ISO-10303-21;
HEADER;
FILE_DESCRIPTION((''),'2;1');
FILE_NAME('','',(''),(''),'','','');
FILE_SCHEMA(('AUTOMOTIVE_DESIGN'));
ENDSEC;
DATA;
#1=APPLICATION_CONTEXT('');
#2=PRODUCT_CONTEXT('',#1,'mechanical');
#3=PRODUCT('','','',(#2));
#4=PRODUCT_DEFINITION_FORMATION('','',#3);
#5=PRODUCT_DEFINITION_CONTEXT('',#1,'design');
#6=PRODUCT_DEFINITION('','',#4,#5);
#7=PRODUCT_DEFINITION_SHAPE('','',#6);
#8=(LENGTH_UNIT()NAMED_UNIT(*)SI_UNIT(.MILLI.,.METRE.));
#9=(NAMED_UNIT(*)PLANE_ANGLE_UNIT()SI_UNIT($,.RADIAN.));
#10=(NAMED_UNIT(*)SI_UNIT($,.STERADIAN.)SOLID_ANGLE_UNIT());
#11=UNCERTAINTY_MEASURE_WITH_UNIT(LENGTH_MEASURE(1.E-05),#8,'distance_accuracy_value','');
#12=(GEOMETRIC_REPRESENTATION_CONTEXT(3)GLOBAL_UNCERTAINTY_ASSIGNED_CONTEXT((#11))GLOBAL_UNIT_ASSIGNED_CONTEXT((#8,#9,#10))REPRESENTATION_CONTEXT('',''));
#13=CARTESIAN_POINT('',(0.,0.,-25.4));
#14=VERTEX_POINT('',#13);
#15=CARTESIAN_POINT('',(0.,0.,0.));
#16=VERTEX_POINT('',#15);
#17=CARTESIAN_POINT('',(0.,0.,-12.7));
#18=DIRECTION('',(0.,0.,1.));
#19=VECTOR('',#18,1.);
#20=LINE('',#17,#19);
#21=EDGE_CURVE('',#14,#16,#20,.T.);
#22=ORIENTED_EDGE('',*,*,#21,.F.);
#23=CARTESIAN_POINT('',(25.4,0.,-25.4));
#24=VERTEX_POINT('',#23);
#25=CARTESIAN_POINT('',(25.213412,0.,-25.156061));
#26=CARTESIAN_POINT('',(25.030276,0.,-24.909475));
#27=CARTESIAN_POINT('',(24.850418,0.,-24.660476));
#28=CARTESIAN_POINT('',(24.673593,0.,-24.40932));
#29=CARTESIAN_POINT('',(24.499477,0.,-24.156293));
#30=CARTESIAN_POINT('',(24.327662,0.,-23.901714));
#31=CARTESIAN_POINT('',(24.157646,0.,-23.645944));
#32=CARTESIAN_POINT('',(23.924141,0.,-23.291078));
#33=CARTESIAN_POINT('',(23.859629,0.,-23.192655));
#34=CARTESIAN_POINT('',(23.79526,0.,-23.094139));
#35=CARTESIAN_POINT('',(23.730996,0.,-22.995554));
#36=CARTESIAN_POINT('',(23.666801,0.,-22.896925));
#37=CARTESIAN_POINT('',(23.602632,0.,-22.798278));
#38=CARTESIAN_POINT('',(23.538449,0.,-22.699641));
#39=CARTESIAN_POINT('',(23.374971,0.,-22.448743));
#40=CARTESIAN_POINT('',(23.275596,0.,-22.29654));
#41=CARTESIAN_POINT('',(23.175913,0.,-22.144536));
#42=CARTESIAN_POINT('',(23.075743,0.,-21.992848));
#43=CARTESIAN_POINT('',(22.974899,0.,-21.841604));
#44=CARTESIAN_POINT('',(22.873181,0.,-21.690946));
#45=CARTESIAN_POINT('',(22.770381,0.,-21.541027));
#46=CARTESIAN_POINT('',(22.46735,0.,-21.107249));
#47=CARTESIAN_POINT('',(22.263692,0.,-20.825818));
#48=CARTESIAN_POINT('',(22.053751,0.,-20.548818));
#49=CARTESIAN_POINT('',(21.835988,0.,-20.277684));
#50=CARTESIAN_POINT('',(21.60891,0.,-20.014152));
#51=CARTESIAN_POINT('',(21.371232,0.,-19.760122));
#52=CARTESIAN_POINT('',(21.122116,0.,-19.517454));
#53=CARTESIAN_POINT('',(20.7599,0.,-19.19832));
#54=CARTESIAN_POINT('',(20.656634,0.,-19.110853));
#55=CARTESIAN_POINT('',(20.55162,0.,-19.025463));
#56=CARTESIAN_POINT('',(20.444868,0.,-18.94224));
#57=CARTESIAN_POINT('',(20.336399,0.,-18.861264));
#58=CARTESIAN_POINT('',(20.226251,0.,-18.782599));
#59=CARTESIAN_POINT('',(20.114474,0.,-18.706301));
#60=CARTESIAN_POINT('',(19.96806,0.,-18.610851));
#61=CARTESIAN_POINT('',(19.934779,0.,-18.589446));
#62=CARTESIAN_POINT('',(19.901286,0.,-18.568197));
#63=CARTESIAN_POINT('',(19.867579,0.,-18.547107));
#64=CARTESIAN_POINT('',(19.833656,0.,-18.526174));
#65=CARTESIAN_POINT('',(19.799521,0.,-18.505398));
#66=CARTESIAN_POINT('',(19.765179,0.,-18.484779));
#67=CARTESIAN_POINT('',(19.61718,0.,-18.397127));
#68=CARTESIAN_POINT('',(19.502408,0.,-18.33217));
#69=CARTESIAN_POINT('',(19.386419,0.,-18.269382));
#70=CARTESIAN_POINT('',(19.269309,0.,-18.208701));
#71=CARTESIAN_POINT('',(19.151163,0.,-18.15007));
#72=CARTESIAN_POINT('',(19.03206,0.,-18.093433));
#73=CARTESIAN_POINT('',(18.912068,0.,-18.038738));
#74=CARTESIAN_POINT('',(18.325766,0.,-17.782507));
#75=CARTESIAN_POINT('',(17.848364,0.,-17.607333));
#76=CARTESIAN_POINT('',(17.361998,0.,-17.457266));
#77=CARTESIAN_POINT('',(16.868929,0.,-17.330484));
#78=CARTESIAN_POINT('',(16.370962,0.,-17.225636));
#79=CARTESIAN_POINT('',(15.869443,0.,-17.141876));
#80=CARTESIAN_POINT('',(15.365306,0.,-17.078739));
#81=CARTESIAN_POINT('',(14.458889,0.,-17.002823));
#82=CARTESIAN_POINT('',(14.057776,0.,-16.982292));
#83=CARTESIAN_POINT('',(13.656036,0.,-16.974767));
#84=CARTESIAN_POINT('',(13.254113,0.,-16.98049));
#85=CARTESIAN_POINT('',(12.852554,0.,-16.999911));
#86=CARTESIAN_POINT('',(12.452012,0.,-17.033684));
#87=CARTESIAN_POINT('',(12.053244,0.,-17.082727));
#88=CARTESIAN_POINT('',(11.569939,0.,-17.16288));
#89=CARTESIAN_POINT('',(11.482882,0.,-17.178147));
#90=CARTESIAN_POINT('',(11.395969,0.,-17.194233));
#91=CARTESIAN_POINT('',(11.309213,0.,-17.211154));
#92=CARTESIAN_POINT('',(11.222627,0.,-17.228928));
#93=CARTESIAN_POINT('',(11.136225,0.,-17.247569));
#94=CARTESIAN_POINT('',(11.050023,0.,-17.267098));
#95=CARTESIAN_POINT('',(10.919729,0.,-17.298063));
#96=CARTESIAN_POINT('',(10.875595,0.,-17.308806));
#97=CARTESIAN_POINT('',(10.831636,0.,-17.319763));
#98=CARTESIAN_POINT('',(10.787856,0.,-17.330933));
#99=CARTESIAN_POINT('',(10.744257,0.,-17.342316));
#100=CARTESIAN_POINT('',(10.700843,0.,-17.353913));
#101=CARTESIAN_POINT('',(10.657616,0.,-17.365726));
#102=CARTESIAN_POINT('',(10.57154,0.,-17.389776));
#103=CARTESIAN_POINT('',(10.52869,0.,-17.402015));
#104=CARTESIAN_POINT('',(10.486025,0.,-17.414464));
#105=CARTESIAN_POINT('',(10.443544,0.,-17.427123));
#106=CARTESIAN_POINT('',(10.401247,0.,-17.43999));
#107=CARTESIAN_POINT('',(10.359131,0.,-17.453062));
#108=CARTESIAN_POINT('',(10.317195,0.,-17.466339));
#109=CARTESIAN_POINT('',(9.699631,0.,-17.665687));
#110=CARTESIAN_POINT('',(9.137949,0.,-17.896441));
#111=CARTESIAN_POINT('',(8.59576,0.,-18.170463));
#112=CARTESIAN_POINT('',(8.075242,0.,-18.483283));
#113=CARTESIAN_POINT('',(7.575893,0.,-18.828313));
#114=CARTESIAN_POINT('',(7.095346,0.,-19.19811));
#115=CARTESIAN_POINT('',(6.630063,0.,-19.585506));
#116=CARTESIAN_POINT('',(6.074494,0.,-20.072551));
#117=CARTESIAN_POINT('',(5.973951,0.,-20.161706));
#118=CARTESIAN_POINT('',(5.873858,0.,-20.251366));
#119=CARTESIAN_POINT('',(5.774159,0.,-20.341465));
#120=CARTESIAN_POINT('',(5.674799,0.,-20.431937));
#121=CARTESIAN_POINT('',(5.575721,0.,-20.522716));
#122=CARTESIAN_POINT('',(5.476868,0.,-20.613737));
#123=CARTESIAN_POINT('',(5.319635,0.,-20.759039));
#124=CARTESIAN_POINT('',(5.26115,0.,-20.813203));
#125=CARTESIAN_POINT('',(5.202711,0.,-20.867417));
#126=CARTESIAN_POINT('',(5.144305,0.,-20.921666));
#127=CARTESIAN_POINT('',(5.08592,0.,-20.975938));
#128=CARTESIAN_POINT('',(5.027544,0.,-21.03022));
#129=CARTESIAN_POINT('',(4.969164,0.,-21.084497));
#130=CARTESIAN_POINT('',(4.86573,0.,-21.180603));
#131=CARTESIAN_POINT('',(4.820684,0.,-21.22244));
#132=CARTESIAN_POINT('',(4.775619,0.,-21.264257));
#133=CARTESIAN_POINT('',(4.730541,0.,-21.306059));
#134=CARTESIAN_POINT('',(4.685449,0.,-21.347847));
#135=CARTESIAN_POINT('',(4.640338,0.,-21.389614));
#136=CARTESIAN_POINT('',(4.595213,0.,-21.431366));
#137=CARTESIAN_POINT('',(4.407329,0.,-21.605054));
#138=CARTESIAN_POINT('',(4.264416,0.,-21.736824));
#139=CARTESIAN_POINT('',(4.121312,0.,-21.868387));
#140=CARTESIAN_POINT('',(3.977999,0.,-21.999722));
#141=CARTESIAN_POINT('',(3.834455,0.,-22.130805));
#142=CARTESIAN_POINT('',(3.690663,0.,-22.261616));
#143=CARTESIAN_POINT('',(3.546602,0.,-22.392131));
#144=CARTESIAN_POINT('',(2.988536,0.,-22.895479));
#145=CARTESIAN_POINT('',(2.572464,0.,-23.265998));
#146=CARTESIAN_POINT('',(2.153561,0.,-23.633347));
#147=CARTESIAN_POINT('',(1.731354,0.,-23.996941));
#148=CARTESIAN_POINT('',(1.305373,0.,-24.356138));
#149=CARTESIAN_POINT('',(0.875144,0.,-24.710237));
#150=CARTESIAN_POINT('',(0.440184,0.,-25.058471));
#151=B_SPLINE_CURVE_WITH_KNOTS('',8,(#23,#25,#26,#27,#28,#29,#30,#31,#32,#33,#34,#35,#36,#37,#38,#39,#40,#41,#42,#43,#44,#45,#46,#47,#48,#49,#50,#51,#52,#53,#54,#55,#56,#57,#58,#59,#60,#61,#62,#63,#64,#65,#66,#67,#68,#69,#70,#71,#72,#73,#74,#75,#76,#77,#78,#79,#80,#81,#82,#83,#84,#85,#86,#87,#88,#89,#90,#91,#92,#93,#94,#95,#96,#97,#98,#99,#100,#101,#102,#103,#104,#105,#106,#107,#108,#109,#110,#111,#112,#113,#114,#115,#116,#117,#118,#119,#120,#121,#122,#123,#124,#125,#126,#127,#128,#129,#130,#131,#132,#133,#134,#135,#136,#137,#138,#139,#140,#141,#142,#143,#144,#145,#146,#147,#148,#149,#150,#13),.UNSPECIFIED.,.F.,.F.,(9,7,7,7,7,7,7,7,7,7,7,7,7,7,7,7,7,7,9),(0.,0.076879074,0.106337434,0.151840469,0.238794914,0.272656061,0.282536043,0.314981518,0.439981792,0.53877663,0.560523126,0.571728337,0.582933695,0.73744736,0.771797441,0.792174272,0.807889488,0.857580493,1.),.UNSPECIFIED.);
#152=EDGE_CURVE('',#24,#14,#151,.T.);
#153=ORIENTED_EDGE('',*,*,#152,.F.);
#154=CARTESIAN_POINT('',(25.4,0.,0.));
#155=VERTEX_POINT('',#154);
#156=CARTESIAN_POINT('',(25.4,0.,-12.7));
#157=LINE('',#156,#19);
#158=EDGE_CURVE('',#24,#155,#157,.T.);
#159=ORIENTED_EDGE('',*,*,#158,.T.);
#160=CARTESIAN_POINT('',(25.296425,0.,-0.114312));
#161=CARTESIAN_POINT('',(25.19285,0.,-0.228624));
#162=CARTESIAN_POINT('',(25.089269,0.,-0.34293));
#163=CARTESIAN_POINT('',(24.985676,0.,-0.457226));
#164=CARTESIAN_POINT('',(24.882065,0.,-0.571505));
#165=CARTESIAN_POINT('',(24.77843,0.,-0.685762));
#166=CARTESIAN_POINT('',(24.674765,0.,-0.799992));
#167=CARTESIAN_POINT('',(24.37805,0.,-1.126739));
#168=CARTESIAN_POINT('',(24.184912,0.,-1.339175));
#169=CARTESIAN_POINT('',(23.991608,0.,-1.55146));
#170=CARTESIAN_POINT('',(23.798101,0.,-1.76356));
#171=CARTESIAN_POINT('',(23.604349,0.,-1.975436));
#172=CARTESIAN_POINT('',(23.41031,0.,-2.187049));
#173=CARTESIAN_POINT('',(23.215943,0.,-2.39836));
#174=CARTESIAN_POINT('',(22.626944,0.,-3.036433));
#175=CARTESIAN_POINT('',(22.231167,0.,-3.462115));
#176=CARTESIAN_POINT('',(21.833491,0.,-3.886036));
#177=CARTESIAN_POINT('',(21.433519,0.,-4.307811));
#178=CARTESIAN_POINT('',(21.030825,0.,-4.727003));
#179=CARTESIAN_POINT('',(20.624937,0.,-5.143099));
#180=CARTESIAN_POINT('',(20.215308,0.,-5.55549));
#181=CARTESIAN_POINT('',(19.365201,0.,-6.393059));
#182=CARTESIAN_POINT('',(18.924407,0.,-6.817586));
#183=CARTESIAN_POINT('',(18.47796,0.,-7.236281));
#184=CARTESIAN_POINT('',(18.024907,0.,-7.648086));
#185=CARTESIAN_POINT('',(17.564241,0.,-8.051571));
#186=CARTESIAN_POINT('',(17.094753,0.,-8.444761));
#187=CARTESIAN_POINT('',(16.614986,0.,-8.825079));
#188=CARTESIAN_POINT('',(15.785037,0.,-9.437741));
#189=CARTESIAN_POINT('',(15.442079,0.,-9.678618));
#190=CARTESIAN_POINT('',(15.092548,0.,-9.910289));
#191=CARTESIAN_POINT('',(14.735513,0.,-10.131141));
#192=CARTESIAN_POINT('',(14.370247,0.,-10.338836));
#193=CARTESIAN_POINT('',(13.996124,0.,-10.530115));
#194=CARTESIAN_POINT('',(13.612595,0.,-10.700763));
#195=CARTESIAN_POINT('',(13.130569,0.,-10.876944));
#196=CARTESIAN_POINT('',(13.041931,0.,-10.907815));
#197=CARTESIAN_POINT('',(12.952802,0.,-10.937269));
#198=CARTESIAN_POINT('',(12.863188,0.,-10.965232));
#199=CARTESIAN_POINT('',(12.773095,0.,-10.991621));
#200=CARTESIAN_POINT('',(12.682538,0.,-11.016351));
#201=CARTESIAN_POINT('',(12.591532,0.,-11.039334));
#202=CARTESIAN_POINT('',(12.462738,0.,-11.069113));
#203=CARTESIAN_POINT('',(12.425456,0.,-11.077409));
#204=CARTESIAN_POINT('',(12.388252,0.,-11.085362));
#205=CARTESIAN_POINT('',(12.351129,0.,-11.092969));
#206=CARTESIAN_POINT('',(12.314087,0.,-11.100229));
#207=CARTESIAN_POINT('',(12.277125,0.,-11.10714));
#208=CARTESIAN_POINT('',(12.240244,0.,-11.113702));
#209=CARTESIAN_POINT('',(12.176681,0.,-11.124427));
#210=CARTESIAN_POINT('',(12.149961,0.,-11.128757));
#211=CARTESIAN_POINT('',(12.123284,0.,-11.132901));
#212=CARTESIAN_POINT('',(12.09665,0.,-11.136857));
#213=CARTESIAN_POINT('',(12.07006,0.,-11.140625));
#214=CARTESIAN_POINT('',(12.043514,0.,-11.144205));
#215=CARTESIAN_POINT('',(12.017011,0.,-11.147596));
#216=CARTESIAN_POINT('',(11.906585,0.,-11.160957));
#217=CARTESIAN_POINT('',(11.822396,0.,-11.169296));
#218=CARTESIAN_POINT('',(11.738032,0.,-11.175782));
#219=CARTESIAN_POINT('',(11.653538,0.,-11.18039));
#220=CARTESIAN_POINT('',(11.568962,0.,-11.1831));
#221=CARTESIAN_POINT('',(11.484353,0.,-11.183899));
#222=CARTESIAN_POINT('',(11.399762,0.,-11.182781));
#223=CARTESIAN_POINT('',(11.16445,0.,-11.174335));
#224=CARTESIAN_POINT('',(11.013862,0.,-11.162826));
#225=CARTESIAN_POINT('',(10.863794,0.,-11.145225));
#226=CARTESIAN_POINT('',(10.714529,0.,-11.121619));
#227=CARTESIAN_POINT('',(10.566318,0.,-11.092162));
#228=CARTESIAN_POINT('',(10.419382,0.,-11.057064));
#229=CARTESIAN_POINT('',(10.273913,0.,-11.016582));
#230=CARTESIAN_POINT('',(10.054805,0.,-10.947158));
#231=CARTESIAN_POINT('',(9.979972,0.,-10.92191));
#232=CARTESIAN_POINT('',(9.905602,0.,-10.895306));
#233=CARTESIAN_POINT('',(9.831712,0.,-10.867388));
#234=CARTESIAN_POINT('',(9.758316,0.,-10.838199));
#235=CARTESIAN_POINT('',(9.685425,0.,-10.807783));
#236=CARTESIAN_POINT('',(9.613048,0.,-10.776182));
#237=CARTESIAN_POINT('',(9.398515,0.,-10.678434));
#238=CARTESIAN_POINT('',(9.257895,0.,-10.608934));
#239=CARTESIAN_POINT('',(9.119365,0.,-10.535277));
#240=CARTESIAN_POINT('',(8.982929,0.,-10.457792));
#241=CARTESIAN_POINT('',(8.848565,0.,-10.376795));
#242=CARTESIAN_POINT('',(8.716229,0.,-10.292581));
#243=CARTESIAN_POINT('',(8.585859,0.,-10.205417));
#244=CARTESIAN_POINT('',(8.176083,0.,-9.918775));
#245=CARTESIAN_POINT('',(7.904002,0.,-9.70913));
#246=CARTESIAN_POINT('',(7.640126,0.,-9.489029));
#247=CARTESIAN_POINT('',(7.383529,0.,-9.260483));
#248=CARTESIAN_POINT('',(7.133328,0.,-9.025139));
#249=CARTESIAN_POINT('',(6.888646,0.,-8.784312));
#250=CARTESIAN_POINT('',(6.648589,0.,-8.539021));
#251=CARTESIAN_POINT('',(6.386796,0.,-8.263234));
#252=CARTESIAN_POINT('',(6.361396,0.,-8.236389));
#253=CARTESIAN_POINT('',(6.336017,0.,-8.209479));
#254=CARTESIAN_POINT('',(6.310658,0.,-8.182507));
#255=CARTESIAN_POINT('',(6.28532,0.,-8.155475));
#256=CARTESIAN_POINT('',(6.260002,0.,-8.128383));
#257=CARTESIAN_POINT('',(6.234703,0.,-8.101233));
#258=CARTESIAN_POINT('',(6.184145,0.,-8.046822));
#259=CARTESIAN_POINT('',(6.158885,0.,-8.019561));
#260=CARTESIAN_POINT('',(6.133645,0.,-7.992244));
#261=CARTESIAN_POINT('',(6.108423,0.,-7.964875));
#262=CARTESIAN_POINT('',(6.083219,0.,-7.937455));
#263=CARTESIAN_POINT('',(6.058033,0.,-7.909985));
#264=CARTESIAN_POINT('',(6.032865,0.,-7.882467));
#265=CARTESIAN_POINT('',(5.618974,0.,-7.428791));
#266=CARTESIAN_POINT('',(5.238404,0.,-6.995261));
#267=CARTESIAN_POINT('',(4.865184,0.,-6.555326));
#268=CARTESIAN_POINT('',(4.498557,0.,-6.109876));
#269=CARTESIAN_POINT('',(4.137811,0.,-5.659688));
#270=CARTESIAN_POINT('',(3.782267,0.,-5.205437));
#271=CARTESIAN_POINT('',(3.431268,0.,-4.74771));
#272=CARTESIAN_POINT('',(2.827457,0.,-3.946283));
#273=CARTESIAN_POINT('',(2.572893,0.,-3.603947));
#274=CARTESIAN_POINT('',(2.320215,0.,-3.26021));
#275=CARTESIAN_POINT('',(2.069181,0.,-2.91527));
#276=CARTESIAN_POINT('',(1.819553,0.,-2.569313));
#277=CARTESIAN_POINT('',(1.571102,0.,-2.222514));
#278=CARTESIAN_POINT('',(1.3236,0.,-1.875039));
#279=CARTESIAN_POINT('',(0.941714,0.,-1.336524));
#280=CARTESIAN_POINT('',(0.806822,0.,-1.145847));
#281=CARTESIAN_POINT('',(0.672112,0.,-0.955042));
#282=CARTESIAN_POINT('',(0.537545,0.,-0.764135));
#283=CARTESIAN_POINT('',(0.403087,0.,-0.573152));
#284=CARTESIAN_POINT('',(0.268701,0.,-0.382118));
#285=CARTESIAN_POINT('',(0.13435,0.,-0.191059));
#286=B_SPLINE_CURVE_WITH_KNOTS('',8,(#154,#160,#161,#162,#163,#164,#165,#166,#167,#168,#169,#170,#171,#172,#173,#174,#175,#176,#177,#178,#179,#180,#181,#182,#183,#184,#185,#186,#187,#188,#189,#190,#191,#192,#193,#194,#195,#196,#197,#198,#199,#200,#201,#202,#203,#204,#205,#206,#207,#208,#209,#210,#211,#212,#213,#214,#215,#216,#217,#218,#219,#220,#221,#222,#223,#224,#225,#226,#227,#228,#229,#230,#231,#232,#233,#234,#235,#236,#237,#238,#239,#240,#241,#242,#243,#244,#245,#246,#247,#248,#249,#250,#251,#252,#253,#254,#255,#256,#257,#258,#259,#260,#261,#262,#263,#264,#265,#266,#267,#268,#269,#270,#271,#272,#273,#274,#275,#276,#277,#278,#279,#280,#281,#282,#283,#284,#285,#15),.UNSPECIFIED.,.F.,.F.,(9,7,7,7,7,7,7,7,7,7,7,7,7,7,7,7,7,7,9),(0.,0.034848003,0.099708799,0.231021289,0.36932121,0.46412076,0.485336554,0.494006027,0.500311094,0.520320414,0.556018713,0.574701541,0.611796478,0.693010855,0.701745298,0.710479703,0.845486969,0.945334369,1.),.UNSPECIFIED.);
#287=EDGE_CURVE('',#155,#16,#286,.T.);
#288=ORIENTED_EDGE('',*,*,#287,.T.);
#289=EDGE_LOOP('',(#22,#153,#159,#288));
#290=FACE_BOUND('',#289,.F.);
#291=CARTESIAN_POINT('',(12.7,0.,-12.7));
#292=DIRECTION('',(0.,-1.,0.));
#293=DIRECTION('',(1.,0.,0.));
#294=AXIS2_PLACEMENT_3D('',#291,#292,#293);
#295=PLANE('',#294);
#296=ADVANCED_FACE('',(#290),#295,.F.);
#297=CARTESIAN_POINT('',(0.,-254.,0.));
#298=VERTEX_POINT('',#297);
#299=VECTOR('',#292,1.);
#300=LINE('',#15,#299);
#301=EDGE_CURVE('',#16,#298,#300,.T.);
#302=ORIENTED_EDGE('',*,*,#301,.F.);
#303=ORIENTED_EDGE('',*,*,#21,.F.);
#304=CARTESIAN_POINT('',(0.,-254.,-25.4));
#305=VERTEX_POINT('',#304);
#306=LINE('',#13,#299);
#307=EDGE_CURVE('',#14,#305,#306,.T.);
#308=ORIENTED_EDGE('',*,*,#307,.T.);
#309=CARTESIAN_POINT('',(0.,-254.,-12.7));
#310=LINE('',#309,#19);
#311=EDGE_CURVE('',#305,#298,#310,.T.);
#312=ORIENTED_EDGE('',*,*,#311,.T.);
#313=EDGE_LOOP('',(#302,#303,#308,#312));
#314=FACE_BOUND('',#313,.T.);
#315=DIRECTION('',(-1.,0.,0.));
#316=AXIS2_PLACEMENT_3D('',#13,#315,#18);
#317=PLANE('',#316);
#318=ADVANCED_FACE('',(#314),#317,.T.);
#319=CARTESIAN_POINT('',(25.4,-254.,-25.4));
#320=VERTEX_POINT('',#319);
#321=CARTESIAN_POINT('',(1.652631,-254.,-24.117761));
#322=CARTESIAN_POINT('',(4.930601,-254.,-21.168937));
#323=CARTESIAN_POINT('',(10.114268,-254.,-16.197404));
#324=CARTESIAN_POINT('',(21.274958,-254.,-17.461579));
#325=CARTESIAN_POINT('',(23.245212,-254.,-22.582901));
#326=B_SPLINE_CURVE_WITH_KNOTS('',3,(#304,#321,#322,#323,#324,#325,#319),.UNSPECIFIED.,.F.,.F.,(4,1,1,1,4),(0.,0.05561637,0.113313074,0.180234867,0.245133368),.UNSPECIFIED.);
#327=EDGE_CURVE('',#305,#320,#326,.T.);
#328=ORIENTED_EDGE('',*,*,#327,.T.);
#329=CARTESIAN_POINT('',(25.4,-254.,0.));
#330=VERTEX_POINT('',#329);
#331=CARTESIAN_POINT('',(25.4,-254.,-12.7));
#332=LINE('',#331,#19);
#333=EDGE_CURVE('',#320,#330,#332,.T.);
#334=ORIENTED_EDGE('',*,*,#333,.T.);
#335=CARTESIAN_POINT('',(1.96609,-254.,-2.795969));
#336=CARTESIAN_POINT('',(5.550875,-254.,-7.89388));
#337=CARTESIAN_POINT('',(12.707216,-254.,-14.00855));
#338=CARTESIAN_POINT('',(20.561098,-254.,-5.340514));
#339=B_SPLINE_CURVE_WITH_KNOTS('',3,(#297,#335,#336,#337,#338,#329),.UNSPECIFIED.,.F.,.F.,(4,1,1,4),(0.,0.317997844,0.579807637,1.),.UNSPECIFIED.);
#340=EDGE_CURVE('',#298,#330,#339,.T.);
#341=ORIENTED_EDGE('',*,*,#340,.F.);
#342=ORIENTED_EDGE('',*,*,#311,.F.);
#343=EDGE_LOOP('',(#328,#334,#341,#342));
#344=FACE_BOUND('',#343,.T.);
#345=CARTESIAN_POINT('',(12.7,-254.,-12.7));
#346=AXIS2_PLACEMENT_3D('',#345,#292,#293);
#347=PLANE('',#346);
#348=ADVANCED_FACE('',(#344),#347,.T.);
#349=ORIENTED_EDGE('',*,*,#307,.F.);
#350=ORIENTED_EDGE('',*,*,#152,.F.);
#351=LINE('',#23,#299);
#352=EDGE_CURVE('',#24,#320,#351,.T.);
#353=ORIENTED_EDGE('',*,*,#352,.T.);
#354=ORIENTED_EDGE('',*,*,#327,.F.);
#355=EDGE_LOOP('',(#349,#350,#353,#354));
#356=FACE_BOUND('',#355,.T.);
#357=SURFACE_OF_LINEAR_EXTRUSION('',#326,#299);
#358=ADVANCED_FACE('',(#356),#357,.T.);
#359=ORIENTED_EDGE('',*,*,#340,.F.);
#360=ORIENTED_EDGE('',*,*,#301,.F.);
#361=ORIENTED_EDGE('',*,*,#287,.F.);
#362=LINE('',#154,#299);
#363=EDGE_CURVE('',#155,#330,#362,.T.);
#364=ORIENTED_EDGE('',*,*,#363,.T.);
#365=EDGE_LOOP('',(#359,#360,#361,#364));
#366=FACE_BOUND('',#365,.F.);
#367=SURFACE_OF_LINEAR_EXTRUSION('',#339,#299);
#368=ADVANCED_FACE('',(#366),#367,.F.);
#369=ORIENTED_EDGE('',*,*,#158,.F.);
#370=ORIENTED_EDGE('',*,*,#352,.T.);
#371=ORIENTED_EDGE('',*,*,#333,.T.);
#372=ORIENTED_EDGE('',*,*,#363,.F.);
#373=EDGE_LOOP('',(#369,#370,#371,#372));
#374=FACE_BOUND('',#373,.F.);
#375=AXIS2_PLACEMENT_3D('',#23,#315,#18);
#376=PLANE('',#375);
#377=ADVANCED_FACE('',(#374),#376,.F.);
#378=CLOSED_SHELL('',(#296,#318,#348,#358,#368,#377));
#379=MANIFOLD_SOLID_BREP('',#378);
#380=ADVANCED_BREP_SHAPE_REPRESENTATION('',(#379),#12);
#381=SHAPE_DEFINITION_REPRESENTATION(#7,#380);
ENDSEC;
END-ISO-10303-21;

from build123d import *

# Parameters (mm, degrees)
F0_W     = 25.4
F0_H     = 25.4
F1_DEPTH = 254
F3_DEPTH = 254.001


with BuildPart() as f1:
    # F0 (on Front) → F1 (new body)
    with BuildSketch(Plane.XZ):
        with Locations((12.7, -12.7)):
            Rectangle(F0_W, F0_H)
    extrude(amount=F1_DEPTH)

    # F2 (on face) → F3 (cut, through all)
    with BuildSketch(Plane.XZ.offset(254)):
        with BuildLine():
            Line((25.4, 0), (0, 0))
            add(Edge.make_bspline(
                [(0, 0), (1.9660897882, -2.795969444), (5.5508747046, -7.8938795951), (12.7072159782, -14.0085498121), (20.5610983192, -5.3405143517), (25.4, 0)],
                knots=[0, 0, 0, 0, 0.3179978439, 0.579807637, 1, 1, 1, 1], degree=3))
        make_face()
        with BuildLine():
            add(Edge.make_bspline(
                [(0, 0), (-1.4657045527, 4.419352238), (-4.5628558265, 13.7577979618), (11.7355845363, 9.141434553), (32.2572777255, 16.3020923236), (27.5794210169, 5.1812284775), (25.4, 0)],
                knots=[0, 0, 0, 0, 0.2258331511, 0.4772035607, 0.7564282922, 1, 1, 1, 1], degree=3))
            Line((0, 0), (25.4, 0))
        make_face()
        with BuildLine():
            add(Edge.make_bspline(
                [(0, -25.4), (1.6526314662, -24.1177606564), (4.9306013082, -21.1689369359), (10.1142680487, -16.197404109), (21.274958455, -17.4615787646), (23.245212431, -22.5829010437), (25.4, -25.4)],
                knots=[0, 0, 0, 0, 0.0556163702, 0.1133130738, 0.1802348669, 0.2451333681, 0.2451333681, 0.2451333681, 0.2451333681], degree=3))
            Line((0, -25.4), (25.4, -25.4))
        make_face()
        with BuildLine():
            Line((25.4, -25.4), (0, -25.4))
            add(Edge.make_bspline(
                [(25.4, -25.4), (28.2617471105, -29.1413547926), (37.1462743176, -36.7905016796), (33.8292430654, -49.5843514331), (10.7856102799, -52.5034532735), (6.6577060764, -51.40752785), (-3.1212745227, -52.9964293503), (-7.9681064577, -48.3360521643), (-17.2158855052, -48.0957013944), (-18.4132660181, -43.4593458567), (-18.0846405536, -39.7717444145), (-16.063256064, -34.5803624438), (-5.7800283179, -29.385631773), (-1.7435911553, -26.7528129073), (0, -25.4)],
                knots=[0.2451333681, 0.2451333681, 0.2451333681, 0.2451333681, 0.3313242765, 0.3997870811, 0.5004157336, 0.5497455707, 0.614100305, 0.6710006359, 0.733680835, 0.7765317169, 0.8180853176, 0.8678507177, 0.9413225433, 1, 1, 1, 1], degree=3))
        make_face()
    extrude(amount=-F3_DEPTH, mode=Mode.SUBTRACT)


solid = f1.part
